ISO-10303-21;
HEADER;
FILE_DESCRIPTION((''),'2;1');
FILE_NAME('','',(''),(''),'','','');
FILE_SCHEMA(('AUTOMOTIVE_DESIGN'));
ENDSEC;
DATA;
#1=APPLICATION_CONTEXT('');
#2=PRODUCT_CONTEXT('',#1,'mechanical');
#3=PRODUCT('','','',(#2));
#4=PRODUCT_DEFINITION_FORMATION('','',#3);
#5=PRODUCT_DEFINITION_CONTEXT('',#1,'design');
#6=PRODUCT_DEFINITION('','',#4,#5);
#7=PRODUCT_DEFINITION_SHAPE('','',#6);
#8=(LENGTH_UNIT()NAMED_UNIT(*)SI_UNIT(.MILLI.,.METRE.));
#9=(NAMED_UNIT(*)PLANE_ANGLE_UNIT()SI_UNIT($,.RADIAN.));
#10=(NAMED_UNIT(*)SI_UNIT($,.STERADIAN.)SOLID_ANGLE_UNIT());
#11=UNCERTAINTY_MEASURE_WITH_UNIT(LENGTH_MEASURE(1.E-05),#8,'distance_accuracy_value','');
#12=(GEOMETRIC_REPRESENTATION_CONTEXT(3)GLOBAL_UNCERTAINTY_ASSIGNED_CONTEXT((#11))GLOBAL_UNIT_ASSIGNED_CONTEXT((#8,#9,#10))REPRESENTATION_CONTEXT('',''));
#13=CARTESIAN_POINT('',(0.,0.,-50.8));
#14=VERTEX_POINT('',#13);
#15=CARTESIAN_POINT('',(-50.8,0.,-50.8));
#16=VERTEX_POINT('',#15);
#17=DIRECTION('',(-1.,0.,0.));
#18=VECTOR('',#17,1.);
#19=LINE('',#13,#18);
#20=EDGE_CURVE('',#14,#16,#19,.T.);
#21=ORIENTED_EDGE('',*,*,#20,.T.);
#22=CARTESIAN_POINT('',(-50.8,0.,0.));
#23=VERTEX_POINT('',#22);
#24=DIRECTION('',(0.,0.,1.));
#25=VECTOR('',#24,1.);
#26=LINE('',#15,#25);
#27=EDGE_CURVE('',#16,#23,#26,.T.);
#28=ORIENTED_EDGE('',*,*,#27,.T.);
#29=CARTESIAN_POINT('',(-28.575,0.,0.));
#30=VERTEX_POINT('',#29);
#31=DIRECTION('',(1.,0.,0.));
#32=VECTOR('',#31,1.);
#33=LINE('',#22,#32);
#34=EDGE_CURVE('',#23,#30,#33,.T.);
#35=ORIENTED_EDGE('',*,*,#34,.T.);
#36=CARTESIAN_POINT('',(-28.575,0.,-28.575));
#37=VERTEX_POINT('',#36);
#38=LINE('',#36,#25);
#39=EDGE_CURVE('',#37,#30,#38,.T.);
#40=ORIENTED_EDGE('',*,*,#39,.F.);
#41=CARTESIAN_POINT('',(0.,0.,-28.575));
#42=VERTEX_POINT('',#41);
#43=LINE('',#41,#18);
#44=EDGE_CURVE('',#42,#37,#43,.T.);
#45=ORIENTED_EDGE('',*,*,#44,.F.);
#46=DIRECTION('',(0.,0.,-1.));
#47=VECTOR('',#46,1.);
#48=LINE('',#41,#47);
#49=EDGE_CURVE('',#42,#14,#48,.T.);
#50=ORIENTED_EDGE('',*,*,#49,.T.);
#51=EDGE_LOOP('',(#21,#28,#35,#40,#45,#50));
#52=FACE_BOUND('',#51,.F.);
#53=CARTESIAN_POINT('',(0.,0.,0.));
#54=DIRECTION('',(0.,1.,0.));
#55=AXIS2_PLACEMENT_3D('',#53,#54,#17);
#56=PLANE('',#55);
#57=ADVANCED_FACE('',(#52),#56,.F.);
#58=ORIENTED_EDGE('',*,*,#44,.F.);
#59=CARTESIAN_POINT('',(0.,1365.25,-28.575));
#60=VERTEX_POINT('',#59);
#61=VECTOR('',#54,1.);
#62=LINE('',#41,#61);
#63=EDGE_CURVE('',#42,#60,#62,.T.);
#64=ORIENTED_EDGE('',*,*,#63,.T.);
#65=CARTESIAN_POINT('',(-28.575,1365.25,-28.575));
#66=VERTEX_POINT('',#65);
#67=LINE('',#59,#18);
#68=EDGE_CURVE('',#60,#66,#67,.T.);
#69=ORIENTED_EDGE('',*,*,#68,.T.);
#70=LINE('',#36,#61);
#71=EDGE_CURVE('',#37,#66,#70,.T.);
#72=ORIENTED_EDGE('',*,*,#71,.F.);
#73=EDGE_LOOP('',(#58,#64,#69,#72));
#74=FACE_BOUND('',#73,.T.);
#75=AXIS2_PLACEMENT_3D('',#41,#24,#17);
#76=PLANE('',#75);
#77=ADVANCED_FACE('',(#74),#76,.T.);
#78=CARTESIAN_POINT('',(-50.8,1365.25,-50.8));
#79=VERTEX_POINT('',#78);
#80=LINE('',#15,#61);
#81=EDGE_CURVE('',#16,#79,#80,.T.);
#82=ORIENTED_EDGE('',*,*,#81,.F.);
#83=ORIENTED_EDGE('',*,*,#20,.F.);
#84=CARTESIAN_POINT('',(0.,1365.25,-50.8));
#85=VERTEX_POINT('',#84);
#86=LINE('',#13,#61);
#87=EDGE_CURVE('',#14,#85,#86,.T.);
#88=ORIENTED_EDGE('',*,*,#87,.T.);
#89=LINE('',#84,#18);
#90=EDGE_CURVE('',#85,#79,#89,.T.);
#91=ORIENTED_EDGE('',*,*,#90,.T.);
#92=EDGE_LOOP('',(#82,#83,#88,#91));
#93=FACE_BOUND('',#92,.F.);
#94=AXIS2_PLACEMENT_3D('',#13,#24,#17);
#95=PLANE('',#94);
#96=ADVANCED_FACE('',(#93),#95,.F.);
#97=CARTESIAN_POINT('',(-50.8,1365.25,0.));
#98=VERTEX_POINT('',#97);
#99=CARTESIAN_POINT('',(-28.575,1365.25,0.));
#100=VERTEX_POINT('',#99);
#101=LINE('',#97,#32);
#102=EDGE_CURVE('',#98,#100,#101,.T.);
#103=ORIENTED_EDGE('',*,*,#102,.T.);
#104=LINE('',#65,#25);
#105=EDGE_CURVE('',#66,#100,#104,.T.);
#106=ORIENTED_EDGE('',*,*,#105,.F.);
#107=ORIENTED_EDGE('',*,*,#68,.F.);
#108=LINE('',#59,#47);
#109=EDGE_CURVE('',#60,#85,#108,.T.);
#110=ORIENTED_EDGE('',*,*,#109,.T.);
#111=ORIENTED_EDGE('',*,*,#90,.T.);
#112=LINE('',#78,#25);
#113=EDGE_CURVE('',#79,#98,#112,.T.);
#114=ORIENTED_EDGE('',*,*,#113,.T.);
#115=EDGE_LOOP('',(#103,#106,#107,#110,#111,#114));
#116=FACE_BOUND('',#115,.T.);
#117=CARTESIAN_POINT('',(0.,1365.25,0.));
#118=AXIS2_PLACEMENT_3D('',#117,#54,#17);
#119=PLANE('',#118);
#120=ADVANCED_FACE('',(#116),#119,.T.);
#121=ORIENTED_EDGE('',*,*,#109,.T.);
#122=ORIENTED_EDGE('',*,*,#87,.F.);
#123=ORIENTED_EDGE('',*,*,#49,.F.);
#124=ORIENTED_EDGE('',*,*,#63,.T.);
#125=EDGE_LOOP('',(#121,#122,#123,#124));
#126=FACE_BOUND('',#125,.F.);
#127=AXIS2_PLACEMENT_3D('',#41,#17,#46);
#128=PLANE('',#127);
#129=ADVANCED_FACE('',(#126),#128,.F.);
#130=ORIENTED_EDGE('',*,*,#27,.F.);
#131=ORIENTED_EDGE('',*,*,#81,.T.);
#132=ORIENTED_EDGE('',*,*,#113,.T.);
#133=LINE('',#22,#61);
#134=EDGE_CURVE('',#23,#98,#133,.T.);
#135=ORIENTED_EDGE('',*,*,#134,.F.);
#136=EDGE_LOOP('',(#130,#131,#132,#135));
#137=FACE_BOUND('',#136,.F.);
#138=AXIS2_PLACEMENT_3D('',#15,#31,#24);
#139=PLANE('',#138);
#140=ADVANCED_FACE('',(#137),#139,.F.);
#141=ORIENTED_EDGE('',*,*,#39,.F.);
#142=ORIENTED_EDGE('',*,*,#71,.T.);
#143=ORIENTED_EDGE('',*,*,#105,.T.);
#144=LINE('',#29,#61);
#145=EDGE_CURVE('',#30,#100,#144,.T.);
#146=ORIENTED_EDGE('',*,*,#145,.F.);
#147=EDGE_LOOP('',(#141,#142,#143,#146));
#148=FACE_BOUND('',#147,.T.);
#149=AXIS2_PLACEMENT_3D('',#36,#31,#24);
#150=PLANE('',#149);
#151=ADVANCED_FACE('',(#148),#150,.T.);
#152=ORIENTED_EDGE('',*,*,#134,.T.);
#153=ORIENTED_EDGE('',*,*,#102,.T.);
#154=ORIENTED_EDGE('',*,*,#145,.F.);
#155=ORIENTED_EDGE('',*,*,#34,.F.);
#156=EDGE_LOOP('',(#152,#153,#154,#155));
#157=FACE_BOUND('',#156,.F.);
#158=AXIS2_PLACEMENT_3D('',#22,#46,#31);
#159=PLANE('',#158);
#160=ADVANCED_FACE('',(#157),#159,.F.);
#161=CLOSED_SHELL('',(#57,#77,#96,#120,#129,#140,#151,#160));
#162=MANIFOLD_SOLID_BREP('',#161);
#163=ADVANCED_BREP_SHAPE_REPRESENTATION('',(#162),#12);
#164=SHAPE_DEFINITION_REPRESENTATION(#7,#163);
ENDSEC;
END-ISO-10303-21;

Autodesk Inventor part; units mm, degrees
ref_plane "YZ Plane" through (0, 0, 0) normal (1, 0, 0) x (0, 1, 0)
ref_plane "XZ Plane" through (0, 0, 0) normal (0, 1, 0) x (-1, 0, 0)
ref_plane "XY Plane" through (0, 0, 0) normal (0, 0, 1) x (1, 0, 0)
sketch "Sketch1" plane through (0, 0, 0) normal (0, 1, 0) x (-1, 0, 0)
  line L0 (0, -50.8) -> (50.8, -50.8)
  line L1 (50.8, -50.8) -> (50.8, 0)
  line L2 (-50.8, 50.8) -> (50.8, -50.8) construction
  line L3 (-50.8, -50.8) -> (50.8, 50.8) construction
  line L4 (0, -28.575) -> (28.575, -28.575)
  line L5 (28.575, -28.575) -> (28.575, 0)
  line L6 (-28.575, 28.575) -> (28.575, -28.575) construction
  line L7 (-28.575, -28.575) -> (28.575, 28.575) construction
  line L8 (50.8, 0) -> (28.575, 0)
  line L9 (0, -28.575) -> (0, -50.8)
  point P0 (0, 0)
  dimension "d2" = 50.8
extrude "Extrusion1" add sketch "Sketch1" along normal blind 1365.25
properties part number "Molding 4 ft"
